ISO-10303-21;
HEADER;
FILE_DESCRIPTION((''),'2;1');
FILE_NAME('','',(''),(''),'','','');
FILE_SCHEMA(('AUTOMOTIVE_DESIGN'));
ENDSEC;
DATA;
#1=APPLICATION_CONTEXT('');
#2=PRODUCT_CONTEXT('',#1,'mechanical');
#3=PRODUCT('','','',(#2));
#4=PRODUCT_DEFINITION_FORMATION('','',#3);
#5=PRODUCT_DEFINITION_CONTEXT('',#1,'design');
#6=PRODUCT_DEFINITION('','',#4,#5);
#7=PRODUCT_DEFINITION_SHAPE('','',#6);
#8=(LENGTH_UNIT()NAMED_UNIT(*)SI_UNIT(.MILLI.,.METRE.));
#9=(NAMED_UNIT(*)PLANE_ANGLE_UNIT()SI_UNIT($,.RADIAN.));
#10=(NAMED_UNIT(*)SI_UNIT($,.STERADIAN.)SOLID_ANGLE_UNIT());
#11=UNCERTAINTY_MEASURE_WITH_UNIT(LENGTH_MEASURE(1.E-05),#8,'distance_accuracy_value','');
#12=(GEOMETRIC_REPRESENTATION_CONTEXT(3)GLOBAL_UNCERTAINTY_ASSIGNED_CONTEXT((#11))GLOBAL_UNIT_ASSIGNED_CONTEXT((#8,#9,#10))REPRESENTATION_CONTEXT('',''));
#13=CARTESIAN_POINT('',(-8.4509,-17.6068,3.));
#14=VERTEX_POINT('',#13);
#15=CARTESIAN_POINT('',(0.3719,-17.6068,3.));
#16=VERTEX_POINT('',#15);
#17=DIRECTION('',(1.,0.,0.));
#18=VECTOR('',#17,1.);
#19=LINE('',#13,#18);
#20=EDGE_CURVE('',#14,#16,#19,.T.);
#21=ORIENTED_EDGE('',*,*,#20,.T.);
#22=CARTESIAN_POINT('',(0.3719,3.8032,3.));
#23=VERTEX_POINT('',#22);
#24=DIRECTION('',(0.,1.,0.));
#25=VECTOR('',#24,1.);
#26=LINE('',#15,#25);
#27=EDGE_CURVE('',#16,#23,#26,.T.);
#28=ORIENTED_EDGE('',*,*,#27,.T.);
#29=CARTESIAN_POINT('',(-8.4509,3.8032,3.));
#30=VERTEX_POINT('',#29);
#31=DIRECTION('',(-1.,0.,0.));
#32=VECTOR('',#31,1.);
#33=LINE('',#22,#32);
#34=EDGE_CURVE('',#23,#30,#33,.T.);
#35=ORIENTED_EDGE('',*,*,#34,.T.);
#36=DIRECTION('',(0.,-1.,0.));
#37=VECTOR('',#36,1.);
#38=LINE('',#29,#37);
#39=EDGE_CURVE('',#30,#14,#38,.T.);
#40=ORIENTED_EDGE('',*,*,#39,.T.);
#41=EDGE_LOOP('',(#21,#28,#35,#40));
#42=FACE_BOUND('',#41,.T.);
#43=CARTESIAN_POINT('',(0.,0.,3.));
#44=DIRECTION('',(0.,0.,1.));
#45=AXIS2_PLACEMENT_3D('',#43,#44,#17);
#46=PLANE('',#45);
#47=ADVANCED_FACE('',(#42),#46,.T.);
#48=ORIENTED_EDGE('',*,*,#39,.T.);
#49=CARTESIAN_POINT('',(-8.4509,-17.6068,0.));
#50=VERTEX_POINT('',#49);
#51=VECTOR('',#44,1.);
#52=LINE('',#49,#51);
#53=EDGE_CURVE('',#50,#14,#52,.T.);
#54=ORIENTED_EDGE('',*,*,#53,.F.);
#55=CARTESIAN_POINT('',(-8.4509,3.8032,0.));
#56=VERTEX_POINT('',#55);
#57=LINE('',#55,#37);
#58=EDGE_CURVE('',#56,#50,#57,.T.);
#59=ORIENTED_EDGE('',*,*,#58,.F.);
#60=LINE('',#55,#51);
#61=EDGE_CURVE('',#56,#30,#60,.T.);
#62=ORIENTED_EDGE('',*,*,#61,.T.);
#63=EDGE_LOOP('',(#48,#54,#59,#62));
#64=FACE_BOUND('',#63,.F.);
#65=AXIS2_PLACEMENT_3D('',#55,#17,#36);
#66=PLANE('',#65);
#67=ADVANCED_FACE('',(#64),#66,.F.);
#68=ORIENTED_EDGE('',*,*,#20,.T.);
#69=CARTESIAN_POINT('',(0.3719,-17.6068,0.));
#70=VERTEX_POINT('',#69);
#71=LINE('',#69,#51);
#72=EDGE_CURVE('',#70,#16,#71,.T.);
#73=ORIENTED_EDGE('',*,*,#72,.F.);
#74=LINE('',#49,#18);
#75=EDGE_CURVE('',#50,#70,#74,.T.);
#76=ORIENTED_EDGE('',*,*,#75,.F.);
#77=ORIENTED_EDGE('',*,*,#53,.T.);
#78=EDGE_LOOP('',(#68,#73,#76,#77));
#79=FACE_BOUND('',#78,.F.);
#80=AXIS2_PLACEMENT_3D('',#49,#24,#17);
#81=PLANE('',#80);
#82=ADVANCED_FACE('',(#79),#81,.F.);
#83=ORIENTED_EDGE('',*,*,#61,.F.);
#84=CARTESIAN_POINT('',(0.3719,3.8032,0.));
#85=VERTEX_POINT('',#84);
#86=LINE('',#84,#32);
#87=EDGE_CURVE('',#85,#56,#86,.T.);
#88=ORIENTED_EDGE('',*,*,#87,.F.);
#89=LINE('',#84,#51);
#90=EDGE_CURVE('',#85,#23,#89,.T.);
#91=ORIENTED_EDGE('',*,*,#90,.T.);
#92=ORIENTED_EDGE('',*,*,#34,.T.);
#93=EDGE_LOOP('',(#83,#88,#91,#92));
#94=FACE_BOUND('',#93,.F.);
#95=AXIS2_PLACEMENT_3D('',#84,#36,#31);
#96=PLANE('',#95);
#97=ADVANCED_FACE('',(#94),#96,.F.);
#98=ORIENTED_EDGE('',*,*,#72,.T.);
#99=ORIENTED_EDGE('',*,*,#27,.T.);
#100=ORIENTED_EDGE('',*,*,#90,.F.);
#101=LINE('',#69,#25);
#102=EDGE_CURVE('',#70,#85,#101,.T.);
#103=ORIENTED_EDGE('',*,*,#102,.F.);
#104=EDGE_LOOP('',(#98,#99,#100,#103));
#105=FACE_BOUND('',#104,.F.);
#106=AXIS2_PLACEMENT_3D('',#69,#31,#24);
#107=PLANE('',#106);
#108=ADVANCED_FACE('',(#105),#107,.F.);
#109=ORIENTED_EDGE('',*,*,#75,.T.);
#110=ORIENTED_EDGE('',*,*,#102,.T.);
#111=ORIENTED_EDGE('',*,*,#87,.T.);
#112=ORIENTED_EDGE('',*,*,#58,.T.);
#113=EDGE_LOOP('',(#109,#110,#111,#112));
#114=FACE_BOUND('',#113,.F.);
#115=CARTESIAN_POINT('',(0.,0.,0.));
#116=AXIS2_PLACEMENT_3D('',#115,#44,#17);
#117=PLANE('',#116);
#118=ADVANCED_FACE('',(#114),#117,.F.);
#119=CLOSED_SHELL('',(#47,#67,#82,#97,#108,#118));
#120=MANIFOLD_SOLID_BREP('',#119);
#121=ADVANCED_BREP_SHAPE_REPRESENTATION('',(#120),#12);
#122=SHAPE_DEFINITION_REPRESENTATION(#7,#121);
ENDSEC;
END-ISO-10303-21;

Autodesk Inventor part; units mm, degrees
ref_plane "YZ Plane" through (0, 0, 0) normal (1, 0, 0) x (0, 1, 0)
ref_plane "XZ Plane" through (0, 0, 0) normal (0, 1, 0) x (-1, 0, 0)
ref_plane "XY Plane" through (0, 0, 0) normal (0, 0, 1) x (1, 0, 0)
sketch "Sketch1" plane through (0, 0, 0) normal (0, 0, 1) x (1, 0, 0)
  line L0 (0.3719, 3.8032) -> (-8.4509, 3.8032)
  line L1 (-8.4509, 3.8032) -> (-8.4509, -17.6068)
  line L2 (-8.4509, -17.6068) -> (0.3719, -17.6068)
  line L3 (0.3719, -17.6068) -> (0.3719, 3.8032)
  point P0 (0, 0)
sketch "Sketch2" plane through (0, 0, 0) normal (0, 0, 1) x (1, 0, 0)
  point P0 (0, 0)
extrude "Extrusion1" add sketch "Sketch1" along normal blind 3
properties part number "DMD"
